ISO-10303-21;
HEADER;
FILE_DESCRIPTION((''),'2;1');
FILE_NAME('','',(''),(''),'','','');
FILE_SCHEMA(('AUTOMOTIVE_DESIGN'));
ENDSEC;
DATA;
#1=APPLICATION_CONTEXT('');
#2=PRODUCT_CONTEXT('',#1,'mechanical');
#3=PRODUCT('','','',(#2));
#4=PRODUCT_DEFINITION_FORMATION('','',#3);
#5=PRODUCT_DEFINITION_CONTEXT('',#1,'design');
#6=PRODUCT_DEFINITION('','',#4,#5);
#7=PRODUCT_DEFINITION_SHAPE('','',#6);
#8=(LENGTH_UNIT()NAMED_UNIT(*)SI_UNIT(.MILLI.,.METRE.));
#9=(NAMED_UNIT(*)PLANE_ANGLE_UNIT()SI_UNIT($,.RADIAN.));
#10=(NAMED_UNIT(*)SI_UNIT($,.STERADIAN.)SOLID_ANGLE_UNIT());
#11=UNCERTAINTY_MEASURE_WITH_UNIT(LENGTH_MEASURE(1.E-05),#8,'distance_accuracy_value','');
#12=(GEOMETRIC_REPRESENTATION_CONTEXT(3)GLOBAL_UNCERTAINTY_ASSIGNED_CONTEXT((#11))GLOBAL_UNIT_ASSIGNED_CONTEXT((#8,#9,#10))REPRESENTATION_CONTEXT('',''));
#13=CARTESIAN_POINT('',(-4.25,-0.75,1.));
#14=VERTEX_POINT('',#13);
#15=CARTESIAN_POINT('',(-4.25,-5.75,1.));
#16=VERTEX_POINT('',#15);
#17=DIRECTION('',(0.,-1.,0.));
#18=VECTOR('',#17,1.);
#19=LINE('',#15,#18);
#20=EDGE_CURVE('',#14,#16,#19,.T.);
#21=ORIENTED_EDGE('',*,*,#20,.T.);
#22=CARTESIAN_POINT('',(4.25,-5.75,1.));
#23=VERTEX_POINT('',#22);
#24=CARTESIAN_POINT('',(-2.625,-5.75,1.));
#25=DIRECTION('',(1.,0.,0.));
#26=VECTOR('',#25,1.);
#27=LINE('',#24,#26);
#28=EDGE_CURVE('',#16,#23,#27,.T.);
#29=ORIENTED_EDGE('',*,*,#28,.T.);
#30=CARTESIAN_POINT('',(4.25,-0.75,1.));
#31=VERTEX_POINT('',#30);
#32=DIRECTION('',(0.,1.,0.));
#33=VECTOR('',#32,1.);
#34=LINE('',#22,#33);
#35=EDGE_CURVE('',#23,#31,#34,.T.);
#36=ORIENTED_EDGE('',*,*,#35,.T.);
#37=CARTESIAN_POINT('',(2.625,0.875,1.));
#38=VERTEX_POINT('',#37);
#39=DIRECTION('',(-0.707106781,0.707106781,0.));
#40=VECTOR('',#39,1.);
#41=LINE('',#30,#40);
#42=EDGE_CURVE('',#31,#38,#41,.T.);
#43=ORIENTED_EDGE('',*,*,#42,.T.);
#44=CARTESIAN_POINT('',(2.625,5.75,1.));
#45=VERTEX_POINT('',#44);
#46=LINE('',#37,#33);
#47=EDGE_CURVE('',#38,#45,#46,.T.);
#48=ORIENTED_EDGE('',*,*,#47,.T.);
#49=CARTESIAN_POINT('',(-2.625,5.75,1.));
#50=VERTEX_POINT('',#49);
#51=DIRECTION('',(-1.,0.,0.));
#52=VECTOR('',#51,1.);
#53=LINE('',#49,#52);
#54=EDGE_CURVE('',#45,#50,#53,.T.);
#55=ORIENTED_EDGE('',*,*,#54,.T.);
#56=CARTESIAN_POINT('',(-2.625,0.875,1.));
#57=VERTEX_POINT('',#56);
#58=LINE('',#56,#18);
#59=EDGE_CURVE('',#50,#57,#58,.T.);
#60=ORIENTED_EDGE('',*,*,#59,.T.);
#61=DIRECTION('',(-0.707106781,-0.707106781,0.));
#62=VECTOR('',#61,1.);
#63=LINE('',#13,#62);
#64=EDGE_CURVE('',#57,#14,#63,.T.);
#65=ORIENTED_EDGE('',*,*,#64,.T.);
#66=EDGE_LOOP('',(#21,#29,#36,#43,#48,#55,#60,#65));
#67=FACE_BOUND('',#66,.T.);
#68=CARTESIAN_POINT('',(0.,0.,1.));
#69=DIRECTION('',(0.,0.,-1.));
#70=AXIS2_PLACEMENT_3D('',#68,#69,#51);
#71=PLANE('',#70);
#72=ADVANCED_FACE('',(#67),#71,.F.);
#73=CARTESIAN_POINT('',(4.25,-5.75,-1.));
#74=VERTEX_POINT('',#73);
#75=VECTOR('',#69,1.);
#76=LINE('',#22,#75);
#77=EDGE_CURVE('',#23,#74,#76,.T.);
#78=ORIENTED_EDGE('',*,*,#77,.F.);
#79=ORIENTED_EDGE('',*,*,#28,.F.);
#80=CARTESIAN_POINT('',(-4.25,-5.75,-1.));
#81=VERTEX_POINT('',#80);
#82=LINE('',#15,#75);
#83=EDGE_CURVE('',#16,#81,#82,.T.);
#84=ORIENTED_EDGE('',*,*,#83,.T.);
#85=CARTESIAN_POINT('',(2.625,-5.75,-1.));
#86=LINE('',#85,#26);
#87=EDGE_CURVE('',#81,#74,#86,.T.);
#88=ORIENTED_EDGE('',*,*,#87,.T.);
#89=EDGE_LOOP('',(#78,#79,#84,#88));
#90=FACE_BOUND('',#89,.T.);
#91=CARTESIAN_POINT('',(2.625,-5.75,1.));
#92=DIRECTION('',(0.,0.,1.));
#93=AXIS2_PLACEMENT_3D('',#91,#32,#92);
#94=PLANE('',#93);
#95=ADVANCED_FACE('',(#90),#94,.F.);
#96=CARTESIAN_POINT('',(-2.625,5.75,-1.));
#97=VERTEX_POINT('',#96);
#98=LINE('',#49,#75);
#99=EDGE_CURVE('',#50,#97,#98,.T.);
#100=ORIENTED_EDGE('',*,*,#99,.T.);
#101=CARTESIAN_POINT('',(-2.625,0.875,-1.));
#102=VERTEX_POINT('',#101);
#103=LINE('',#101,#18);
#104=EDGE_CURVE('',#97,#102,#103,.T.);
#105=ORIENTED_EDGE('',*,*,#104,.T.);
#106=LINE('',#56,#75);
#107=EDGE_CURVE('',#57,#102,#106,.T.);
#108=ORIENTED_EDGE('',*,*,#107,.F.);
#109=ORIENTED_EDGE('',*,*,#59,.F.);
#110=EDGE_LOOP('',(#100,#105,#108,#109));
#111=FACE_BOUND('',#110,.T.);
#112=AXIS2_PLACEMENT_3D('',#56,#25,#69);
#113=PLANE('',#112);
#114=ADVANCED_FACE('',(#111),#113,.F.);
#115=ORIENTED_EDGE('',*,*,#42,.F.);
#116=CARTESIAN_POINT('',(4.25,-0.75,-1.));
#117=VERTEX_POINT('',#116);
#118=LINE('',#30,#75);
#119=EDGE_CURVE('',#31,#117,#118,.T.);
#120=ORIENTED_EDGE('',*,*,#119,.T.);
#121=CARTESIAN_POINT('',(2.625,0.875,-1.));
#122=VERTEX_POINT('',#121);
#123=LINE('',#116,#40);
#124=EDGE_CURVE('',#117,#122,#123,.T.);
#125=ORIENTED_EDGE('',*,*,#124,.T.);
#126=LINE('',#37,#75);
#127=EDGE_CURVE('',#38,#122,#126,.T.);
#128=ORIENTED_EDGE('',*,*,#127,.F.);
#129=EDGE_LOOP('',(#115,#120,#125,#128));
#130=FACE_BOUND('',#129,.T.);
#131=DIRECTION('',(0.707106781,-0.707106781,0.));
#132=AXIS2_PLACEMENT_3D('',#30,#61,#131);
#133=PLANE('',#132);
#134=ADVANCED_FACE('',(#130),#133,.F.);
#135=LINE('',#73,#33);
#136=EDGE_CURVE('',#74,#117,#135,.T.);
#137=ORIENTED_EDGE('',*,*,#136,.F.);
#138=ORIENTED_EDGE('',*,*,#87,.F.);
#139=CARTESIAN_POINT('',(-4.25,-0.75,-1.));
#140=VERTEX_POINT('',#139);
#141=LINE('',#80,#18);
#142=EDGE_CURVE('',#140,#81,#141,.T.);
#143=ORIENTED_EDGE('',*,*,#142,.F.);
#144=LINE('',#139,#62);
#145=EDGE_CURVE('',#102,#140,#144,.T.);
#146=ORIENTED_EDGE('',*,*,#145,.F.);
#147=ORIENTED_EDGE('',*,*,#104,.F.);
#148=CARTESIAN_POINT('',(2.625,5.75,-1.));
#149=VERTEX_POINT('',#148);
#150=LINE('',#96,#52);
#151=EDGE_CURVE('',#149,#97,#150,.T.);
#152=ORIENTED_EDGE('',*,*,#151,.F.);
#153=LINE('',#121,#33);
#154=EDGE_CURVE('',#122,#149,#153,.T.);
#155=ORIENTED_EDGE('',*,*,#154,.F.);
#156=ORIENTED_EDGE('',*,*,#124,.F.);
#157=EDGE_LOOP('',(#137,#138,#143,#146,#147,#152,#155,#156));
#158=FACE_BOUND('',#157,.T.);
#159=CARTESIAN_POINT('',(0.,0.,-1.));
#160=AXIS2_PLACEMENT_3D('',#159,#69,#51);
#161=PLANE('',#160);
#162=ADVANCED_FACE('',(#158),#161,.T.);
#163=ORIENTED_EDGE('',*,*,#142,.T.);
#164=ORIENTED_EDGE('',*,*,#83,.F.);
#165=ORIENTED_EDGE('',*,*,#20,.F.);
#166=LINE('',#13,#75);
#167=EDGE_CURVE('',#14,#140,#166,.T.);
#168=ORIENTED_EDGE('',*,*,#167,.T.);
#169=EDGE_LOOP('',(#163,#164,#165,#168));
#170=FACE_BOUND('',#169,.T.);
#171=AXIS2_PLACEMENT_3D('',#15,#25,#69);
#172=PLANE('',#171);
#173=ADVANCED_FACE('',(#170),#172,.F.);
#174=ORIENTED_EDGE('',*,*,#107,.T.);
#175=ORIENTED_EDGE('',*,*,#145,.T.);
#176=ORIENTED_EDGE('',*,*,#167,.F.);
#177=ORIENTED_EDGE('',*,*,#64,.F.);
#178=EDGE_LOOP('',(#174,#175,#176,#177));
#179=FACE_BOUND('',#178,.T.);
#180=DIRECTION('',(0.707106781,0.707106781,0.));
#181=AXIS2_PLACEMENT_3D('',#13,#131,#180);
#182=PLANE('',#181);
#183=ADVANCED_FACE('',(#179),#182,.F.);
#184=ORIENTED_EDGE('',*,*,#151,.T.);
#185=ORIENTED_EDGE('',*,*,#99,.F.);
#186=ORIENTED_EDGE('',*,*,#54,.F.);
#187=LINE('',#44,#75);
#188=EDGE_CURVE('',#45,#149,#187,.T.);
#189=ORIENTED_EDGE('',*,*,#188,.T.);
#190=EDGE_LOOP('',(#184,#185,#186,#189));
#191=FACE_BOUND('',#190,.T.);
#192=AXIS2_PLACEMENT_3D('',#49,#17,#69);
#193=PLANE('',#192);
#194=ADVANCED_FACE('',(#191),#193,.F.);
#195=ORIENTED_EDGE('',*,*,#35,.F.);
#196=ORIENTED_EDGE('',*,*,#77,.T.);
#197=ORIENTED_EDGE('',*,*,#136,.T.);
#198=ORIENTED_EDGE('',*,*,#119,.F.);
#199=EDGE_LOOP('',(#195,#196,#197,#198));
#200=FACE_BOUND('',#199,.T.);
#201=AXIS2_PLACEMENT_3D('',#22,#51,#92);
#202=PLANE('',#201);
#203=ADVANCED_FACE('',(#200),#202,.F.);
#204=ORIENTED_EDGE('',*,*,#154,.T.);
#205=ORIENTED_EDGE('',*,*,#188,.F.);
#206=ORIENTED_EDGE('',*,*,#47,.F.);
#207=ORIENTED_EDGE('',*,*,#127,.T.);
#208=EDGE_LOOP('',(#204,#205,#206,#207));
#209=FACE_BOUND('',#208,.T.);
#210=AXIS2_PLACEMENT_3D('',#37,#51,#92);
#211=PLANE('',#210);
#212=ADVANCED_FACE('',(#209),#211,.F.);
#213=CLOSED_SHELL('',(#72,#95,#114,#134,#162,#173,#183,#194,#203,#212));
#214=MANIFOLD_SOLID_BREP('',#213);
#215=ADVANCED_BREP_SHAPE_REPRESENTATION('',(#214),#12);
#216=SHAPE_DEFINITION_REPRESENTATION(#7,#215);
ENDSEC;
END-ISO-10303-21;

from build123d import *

# Parameters (mm, degrees)
BOSS_EXTRUDE1_DEPTH = 1


with BuildPart() as part:
    # Sketch1 → Boss-Extrude1 (new, symmetric)
    with BuildSketch(Plane.XY):
        Polygon((2.625, -5.75), (4.25, -5.75), (4.25, -0.75), (2.625, 0.875), (2.625, 5.75), (-2.625, 5.75), (-2.625, 0.875), (-4.25, -0.75), (-4.25, -5.75), (-2.625, -5.75), align=None)
    extrude(amount=BOSS_EXTRUDE1_DEPTH, both=True)


solid = part.part
